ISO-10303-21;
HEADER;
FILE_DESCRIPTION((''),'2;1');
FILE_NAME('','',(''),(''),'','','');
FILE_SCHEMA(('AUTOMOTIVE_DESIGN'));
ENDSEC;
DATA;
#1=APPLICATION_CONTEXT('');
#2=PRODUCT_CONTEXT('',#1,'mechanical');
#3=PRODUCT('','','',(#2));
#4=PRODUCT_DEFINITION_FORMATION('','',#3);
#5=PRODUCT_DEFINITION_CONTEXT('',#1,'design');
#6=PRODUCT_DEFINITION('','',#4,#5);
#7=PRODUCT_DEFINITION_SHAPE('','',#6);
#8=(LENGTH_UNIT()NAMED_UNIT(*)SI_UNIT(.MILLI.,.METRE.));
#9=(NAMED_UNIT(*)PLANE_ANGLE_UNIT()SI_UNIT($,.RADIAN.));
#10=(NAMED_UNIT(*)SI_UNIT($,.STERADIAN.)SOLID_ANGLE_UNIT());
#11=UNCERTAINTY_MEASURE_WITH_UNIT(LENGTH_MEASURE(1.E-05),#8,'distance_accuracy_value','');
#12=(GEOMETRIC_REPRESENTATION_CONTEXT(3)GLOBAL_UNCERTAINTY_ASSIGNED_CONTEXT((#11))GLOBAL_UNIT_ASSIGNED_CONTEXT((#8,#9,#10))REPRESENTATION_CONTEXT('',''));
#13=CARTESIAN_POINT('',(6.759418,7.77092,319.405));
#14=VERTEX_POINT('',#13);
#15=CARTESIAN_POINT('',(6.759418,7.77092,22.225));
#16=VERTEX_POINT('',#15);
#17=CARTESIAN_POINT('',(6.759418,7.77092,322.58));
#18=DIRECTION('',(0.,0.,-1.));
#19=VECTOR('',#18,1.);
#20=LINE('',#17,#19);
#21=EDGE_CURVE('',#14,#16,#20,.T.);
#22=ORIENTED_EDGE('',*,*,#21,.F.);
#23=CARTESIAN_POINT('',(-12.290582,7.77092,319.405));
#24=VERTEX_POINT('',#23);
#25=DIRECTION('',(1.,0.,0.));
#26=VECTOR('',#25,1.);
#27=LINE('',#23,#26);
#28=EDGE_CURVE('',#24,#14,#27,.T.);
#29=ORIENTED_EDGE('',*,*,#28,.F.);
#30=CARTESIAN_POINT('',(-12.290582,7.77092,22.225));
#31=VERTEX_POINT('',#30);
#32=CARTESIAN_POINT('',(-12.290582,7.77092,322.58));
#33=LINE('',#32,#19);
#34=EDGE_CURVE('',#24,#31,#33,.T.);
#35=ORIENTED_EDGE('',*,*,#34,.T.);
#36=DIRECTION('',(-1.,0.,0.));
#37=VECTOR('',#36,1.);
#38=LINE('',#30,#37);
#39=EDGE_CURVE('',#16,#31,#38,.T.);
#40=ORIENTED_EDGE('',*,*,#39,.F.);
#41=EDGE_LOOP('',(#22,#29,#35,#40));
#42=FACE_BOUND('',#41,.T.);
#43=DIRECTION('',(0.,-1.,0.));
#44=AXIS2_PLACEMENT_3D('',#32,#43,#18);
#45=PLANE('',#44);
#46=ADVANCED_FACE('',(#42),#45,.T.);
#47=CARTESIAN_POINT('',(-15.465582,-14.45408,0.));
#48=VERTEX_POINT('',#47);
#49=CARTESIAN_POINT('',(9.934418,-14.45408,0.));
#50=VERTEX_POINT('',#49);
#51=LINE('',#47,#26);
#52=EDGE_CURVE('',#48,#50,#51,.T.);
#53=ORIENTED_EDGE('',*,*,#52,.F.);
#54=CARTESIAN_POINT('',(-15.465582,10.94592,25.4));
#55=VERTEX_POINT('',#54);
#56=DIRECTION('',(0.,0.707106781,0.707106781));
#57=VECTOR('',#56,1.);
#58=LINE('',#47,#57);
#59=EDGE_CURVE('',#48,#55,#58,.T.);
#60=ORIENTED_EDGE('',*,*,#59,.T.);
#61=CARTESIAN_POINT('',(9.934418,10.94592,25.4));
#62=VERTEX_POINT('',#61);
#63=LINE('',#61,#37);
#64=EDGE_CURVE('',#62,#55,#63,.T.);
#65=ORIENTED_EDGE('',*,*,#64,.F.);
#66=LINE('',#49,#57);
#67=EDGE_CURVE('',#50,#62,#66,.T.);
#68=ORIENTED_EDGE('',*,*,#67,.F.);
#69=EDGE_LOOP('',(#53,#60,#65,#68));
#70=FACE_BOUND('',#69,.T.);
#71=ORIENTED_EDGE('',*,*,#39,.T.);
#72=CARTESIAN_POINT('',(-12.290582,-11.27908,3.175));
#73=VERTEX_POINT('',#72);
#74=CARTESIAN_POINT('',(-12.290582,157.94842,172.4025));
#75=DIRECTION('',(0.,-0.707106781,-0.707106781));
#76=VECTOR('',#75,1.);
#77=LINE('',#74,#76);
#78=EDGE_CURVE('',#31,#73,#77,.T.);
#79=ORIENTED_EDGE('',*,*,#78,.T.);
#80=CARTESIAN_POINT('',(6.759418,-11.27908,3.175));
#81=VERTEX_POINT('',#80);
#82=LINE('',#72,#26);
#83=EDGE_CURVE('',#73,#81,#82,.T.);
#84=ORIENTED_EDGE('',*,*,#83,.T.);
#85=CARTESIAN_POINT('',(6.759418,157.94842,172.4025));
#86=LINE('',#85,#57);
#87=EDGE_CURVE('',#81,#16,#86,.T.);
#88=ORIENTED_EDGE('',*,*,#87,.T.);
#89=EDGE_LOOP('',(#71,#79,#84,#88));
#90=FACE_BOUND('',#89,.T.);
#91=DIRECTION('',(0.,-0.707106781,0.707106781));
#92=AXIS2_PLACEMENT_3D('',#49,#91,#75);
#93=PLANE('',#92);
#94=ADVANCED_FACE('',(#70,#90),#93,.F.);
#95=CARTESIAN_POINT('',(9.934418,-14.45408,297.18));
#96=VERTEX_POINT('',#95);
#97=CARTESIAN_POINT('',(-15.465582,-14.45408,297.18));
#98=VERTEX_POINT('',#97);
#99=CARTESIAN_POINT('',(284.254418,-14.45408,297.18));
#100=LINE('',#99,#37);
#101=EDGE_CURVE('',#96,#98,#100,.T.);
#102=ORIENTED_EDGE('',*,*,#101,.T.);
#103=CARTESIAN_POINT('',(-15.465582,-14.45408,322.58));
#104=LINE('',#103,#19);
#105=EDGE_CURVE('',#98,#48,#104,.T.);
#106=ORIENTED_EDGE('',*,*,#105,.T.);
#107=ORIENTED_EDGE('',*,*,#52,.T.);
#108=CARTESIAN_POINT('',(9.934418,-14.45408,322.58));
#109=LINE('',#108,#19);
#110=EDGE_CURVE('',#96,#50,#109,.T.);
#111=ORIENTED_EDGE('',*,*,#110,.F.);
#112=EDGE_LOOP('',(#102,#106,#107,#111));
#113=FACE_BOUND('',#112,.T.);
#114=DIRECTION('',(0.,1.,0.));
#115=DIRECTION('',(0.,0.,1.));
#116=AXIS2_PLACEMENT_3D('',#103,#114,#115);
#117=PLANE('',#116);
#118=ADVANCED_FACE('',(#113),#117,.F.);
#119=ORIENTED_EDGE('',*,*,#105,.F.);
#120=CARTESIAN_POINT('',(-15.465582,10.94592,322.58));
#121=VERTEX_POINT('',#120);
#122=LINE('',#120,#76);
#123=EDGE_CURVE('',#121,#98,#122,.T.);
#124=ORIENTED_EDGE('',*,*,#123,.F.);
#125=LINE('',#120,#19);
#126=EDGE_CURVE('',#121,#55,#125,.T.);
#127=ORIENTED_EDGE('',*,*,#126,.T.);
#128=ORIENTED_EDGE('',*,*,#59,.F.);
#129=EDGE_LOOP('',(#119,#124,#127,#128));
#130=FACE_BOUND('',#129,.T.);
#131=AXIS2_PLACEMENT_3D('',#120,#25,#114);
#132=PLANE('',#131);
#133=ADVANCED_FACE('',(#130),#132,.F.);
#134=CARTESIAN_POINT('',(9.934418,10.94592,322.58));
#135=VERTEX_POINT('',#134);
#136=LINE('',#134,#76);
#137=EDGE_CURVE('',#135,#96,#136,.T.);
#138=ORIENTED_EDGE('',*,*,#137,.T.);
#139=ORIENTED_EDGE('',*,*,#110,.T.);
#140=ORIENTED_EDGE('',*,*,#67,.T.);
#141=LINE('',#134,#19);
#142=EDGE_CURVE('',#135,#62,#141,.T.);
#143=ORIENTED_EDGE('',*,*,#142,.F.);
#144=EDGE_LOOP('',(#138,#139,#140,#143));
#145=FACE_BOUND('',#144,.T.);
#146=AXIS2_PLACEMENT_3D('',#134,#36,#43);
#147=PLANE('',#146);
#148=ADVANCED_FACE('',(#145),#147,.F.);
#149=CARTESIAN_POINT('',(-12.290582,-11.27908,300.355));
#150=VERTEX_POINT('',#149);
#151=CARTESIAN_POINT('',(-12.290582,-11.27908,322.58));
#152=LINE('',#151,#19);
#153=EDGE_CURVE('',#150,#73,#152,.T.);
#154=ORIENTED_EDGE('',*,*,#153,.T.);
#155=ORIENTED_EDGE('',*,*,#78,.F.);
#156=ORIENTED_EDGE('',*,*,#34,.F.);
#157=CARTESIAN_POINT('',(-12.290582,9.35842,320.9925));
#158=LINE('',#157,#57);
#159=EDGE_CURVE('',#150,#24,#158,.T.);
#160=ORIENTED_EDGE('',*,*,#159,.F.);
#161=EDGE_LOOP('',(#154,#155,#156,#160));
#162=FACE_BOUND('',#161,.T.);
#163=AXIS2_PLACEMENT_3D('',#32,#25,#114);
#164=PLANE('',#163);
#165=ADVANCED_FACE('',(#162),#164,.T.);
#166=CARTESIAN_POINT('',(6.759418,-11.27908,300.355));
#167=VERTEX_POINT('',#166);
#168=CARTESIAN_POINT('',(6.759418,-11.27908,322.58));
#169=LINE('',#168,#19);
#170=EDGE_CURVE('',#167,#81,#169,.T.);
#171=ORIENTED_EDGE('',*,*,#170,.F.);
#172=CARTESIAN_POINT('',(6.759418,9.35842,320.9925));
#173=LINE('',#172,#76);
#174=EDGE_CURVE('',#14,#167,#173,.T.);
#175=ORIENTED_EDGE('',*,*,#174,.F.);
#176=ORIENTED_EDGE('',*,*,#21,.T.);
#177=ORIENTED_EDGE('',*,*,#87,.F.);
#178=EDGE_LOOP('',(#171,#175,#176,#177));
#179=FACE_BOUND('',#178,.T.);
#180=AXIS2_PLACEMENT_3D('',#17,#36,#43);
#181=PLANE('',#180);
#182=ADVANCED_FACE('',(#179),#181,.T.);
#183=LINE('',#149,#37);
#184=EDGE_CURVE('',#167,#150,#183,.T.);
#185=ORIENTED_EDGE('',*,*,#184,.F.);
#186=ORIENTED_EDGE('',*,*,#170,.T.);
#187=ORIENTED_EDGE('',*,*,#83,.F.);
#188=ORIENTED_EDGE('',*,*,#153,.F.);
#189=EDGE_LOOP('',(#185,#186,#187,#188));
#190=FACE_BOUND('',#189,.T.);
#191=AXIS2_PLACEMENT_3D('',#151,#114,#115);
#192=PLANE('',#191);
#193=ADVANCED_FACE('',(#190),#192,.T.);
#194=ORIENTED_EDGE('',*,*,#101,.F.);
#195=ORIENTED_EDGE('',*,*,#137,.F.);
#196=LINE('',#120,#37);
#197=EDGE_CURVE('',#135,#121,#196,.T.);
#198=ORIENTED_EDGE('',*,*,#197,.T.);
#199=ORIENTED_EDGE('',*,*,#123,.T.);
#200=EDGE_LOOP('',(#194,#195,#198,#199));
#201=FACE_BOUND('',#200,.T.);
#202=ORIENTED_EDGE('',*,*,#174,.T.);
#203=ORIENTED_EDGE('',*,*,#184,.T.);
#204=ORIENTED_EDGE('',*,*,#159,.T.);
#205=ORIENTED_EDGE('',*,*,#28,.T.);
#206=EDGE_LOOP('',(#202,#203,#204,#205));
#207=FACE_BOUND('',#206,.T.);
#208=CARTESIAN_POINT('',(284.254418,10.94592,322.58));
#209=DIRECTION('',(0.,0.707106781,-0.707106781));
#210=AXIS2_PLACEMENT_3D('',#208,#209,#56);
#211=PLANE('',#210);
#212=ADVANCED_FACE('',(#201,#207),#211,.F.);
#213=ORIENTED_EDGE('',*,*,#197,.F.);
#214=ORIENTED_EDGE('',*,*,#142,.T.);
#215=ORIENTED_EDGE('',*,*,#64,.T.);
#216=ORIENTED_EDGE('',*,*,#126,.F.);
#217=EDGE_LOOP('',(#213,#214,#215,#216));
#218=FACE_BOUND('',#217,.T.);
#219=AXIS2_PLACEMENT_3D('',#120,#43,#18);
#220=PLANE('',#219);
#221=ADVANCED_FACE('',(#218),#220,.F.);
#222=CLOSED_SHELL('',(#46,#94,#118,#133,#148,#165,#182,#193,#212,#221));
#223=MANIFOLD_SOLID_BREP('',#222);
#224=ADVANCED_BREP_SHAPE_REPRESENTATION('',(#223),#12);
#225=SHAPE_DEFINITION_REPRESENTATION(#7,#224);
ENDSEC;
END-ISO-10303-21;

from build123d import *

# Parameters (mm, degrees)
SKETCH3_W           = 25.4
SKETCH3_H           = 25.4
SKETCH3_W_2         = 19.05
SKETCH3_H_2         = 19.05
BOSS_EXTRUDE2_DEPTH = 322.58
CUT_EXTRUDE2_DEPTH  = 299.72
CUT_EXTRUDE3_DEPTH  = 25.4


with BuildPart() as part:
    # Sketch3 → Boss-Extrude2 (new body)
    with BuildSketch(Plane.XY):
        with Locations((-2.765581944, -1.754080231)):
            Rectangle(SKETCH3_W, SKETCH3_H)
        with Locations((-2.765581944, -1.754080231)):
            Rectangle(SKETCH3_W_2, SKETCH3_H_2, mode=Mode.SUBTRACT)
    extrude(amount=BOSS_EXTRUDE2_DEPTH)

    # Sketch4 → Cut-Extrude2 (cut)
    with BuildSketch(Plane.ZY.offset(15.465581944)):
        Polygon((322.58, 10.945919769), (297.18, -14.454080231), (322.58, -14.454080231), align=None)
    extrude(amount=-CUT_EXTRUDE2_DEPTH, mode=Mode.SUBTRACT)

    # Sketch5 → Cut-Extrude3 (cut)
    with BuildSketch(Plane.ZY.offset(15.465581944)):
        Polygon((0, -14.454080231), (25.4, 10.945919769), (0, 10.945919769), align=None)
    extrude(amount=-CUT_EXTRUDE3_DEPTH, mode=Mode.SUBTRACT)


solid = part.part
